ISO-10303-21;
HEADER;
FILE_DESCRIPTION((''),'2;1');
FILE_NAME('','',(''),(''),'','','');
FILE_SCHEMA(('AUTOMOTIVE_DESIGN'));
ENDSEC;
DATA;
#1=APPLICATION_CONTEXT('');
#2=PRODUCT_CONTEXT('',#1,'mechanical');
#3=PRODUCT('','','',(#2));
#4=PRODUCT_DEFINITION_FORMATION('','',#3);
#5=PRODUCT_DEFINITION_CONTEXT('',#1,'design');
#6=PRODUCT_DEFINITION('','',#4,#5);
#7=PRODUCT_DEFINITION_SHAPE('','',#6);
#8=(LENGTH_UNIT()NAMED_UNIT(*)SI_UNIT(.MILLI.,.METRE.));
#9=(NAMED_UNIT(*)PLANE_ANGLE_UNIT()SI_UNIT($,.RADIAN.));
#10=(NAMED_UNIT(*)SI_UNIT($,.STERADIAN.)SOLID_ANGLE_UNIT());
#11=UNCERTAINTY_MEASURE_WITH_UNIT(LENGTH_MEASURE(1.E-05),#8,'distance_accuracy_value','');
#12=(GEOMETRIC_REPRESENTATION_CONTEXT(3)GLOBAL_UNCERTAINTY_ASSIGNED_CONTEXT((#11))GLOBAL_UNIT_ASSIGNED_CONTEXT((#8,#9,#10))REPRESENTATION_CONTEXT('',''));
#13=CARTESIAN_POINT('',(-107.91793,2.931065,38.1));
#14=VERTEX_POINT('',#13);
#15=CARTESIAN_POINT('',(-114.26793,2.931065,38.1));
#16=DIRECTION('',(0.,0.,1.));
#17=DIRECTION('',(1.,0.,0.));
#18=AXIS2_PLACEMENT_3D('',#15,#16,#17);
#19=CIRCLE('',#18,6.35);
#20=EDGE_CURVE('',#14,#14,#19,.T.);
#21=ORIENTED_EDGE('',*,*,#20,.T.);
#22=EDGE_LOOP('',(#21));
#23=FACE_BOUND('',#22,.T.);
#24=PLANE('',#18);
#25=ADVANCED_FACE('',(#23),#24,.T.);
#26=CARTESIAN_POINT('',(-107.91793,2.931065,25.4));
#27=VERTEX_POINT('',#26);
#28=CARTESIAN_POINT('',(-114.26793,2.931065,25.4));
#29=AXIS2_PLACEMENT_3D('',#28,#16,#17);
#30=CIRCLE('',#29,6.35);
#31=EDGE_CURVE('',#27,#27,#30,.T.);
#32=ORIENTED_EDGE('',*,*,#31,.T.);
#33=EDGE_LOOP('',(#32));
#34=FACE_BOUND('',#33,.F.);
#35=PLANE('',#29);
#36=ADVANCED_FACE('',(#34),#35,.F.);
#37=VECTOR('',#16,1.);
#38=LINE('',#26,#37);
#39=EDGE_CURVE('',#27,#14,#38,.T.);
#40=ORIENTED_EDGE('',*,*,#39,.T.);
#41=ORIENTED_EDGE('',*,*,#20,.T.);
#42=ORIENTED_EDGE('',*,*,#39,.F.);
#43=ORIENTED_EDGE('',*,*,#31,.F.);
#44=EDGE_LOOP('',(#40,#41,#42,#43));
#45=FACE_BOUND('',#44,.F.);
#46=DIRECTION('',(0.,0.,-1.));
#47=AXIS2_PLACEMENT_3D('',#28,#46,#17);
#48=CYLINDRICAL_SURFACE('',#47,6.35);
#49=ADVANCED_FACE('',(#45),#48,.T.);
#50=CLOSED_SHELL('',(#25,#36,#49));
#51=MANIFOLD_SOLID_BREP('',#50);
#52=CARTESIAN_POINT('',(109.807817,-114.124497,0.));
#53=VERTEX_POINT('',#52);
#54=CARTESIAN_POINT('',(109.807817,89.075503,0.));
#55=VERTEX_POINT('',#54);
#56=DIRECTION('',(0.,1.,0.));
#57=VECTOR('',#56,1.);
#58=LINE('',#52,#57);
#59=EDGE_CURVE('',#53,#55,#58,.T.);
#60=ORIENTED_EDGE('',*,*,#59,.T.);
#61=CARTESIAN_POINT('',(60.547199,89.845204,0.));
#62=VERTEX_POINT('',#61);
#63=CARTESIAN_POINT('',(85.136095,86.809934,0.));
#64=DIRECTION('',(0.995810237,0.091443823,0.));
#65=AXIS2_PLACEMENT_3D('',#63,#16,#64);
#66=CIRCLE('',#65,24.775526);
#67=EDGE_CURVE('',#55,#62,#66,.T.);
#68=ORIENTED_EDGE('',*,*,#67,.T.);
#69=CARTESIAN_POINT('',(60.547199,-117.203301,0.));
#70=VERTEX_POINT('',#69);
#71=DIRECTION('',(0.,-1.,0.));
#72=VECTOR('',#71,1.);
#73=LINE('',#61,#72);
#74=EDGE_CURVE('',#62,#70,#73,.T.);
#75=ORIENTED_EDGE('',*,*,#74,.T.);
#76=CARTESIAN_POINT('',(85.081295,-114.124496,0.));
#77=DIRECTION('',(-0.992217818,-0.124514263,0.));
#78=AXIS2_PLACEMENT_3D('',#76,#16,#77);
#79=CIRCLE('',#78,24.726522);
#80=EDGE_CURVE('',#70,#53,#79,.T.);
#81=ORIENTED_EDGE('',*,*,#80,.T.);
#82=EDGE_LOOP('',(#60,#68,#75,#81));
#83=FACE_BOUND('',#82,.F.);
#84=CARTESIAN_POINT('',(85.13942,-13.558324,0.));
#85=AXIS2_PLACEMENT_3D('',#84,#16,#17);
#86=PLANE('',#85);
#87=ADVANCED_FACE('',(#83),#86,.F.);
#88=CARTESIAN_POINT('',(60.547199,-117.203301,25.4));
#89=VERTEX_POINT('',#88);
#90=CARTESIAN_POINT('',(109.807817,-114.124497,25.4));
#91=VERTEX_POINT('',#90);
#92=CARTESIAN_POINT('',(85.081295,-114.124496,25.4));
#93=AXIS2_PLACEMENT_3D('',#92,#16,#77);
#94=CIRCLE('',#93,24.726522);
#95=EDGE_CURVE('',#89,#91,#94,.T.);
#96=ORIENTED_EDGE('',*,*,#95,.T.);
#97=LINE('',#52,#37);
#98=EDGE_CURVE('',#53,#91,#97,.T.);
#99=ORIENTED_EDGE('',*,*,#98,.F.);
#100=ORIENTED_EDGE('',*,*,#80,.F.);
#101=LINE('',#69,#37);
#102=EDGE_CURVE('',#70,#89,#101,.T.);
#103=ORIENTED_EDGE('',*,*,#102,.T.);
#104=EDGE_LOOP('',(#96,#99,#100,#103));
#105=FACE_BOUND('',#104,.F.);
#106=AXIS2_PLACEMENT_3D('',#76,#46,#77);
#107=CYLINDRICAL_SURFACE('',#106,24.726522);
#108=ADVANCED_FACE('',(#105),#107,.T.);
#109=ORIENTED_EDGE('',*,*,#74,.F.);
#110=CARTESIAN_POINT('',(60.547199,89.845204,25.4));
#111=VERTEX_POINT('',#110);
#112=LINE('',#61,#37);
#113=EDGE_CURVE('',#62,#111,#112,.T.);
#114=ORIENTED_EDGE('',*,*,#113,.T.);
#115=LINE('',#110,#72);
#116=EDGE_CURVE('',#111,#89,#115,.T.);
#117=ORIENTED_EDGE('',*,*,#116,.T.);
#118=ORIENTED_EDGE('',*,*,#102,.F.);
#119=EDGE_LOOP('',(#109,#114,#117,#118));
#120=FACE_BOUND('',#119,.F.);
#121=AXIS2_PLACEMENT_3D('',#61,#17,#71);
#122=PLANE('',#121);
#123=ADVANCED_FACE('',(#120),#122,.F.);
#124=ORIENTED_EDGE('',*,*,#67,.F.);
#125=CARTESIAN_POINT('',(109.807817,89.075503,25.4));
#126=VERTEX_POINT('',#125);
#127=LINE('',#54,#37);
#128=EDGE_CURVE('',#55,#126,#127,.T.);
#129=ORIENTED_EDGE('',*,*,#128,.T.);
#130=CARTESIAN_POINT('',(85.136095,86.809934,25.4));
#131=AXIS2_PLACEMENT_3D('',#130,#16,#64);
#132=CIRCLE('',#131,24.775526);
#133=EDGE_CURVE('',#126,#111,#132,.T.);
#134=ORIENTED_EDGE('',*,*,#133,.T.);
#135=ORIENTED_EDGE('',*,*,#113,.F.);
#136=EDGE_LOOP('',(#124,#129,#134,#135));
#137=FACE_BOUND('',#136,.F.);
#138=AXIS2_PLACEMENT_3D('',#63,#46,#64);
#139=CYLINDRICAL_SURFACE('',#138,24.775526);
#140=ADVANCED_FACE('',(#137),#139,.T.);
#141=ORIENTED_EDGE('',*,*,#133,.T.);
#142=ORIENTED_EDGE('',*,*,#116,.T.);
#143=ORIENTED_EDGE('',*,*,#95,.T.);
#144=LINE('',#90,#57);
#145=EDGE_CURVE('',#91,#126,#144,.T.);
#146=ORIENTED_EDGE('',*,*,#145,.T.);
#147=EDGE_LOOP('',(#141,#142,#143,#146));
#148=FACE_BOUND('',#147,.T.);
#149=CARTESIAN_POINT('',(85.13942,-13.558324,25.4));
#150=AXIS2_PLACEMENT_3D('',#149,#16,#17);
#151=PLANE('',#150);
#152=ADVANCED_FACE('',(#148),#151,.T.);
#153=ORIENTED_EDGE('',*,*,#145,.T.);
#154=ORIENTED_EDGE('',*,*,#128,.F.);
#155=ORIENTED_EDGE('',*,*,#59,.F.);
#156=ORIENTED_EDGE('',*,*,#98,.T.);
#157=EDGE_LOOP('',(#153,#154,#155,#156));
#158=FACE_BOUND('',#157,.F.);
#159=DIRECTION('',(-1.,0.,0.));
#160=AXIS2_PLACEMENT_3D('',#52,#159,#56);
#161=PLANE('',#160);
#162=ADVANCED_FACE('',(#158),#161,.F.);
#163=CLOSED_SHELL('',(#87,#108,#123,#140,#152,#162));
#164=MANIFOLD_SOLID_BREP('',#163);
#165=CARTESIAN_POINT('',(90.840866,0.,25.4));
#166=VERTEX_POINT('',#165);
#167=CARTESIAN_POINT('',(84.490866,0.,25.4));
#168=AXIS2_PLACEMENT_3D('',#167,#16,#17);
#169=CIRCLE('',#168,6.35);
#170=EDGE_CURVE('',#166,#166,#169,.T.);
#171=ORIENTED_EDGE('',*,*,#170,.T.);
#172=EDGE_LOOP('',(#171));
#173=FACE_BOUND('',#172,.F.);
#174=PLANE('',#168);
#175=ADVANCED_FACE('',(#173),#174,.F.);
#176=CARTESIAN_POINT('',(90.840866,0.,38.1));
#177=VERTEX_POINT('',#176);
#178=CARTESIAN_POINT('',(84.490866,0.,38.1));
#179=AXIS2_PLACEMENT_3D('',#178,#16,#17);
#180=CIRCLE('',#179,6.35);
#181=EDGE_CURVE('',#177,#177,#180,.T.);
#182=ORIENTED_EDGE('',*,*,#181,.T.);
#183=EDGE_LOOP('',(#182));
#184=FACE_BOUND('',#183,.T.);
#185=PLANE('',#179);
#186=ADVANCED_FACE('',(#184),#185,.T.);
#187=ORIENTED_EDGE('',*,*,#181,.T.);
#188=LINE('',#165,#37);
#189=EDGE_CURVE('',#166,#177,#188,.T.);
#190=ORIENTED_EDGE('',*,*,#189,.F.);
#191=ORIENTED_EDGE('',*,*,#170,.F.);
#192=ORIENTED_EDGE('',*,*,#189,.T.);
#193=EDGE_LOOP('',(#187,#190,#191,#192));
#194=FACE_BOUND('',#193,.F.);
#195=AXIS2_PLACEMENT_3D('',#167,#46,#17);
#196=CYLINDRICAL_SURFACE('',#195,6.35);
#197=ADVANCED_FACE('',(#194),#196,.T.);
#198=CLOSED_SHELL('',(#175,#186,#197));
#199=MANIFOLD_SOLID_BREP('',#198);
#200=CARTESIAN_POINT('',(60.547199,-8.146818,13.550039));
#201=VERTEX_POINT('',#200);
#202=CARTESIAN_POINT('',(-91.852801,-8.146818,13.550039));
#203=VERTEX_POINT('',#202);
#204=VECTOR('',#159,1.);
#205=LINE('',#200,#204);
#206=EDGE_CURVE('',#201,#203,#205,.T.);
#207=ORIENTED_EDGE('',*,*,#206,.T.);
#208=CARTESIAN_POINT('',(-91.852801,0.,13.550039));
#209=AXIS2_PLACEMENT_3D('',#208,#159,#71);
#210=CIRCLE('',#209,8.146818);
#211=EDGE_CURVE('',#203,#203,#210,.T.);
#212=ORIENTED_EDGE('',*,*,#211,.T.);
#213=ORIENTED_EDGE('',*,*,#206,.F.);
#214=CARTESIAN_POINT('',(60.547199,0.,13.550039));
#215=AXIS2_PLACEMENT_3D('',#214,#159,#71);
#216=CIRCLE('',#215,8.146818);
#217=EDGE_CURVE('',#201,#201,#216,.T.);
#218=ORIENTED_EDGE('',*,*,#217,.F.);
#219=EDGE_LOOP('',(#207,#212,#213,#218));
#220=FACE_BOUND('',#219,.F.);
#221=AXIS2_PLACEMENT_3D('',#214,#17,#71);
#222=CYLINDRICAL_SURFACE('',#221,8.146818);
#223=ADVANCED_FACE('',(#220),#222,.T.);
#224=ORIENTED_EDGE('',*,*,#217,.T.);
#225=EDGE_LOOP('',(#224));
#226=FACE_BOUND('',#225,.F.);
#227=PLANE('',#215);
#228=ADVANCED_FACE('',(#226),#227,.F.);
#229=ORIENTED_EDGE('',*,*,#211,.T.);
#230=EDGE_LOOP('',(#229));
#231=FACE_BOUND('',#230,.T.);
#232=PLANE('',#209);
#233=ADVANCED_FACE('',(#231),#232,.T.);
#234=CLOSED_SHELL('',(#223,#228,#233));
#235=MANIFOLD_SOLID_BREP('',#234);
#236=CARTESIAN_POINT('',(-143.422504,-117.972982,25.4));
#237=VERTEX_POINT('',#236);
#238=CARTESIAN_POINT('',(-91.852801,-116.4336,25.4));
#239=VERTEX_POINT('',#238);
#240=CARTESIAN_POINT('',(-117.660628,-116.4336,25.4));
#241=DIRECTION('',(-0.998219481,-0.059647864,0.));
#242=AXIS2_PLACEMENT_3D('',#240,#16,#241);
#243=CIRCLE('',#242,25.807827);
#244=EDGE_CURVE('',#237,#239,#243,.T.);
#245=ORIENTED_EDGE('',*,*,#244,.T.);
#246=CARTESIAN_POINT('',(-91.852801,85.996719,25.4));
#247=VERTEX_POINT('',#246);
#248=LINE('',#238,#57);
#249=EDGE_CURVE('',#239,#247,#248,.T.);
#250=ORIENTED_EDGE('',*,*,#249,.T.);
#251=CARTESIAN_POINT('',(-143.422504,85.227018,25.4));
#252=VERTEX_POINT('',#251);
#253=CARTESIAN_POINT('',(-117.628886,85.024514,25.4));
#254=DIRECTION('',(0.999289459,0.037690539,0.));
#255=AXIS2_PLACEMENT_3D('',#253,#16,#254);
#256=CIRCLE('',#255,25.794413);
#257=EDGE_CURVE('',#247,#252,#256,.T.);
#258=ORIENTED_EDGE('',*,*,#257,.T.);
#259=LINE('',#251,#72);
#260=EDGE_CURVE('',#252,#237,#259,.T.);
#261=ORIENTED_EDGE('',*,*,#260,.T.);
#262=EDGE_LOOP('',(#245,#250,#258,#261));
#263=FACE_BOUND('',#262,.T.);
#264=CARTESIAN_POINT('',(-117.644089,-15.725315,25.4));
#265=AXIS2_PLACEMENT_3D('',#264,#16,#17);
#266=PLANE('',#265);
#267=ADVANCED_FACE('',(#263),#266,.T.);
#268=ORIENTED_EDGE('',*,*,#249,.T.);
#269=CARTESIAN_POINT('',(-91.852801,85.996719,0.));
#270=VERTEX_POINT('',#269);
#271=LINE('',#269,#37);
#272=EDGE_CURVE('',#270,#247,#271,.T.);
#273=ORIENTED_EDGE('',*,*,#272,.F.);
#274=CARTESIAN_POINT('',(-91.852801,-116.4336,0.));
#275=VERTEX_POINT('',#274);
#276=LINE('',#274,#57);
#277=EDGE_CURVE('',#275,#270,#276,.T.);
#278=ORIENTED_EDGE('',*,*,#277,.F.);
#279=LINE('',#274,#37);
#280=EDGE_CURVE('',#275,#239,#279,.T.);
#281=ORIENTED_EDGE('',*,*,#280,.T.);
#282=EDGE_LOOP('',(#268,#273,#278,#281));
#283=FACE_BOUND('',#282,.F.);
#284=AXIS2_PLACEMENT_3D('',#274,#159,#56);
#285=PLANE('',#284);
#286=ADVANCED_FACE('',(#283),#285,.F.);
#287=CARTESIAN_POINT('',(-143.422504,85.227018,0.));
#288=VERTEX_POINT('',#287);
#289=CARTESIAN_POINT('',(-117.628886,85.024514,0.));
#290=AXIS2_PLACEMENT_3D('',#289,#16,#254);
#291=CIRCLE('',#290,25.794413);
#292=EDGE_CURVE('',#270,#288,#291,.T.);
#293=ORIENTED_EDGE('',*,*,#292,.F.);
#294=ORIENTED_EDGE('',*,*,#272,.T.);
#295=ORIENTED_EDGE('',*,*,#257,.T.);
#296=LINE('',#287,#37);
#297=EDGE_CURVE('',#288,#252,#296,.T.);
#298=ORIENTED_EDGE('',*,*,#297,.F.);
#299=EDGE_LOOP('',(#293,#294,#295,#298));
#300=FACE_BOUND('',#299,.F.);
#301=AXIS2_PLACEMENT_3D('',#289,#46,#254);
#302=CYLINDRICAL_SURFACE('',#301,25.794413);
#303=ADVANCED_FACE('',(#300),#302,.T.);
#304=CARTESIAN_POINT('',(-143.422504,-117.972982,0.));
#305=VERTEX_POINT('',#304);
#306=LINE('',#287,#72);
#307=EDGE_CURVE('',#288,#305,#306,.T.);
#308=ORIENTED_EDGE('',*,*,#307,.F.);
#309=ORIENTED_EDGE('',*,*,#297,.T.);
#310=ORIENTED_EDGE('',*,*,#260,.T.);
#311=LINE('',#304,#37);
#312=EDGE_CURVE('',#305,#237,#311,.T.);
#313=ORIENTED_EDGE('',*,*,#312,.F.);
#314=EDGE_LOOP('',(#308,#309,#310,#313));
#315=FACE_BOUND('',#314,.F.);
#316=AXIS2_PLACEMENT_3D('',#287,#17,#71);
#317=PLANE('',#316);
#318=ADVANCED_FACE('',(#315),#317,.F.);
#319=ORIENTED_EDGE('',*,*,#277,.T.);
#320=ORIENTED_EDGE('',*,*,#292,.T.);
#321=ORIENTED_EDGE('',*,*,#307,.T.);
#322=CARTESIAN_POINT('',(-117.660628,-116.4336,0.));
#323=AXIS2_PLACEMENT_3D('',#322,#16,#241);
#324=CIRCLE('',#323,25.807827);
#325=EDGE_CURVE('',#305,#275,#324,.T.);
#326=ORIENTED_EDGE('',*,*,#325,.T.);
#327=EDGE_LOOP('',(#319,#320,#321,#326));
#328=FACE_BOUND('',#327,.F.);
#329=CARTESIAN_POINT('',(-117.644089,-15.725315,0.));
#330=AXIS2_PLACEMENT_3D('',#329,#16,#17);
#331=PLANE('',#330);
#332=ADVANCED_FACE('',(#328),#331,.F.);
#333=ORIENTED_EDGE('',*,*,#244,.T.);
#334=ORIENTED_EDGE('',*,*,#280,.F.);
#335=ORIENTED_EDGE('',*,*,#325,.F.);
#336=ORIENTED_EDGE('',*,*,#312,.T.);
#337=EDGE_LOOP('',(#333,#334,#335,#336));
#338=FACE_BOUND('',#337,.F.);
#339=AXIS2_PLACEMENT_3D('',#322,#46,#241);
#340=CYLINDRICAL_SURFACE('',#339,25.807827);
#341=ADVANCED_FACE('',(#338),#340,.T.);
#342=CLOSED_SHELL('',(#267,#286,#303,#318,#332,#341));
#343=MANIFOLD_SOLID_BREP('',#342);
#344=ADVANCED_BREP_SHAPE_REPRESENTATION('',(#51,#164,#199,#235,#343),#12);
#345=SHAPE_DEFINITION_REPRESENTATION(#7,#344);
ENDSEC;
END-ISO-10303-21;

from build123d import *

# Parameters (mm, degrees)
F1_DEPTH = 25.4
F2_R     = 8.146818
F3_DEPTH = 152.4
F4_R     = 6.35
F5_DEPTH = 12.7


with BuildPart() as f1:
    # F0 (on Top) → F1 (new body)
    with BuildSketch(Plane.XY):
        with BuildLine():
            Line((-91.852801, -116.4336), (-91.852801, 85.996719))
            ThreePointArc((-91.852801, 85.996719), (-118.013836, 110.816054), (-143.422504, 85.227018))
            Line((-143.422504, 85.227018), (-143.422504, -117.972982))
            ThreePointArc((-143.422504, -117.972982), (-116.890594, -142.229937), (-91.852801, -116.4336))
        make_face()
        with BuildLine():
            Line((109.807817, -114.124497), (109.807817, 89.075503))
            ThreePointArc((109.807817, 89.075503), (85.523167, 111.582436), (60.547199, 89.845204))
            Line((60.547199, 89.845204), (60.547199, -117.203301))
            ThreePointArc((60.547199, -117.203301), (86.623701, -138.802865), (109.807817, -114.124497))
        make_face()
    extrude(amount=F1_DEPTH)


with BuildPart() as f3:
    # F2 (on face) → F3 (new body)
    with BuildSketch(Plane(origin=(60.547199, 0, 0), x_dir=(0, -1, 0), z_dir=(-1, 0, 0))):
        with Locations((0, 13.550039)):
            Circle(F2_R)
    extrude(amount=F3_DEPTH)


with BuildPart() as f5:
    # F4 (on face) → F5 (new body)
    with BuildSketch(Plane.XY.offset(25.4)):
        with Locations((-114.26793, 2.931065)):
            Circle(F4_R)
        with Locations((84.490866, 0)):
            Circle(F4_R)
    extrude(amount=F5_DEPTH)


solid = Compound([f1.part, f3.part, f5.part])
